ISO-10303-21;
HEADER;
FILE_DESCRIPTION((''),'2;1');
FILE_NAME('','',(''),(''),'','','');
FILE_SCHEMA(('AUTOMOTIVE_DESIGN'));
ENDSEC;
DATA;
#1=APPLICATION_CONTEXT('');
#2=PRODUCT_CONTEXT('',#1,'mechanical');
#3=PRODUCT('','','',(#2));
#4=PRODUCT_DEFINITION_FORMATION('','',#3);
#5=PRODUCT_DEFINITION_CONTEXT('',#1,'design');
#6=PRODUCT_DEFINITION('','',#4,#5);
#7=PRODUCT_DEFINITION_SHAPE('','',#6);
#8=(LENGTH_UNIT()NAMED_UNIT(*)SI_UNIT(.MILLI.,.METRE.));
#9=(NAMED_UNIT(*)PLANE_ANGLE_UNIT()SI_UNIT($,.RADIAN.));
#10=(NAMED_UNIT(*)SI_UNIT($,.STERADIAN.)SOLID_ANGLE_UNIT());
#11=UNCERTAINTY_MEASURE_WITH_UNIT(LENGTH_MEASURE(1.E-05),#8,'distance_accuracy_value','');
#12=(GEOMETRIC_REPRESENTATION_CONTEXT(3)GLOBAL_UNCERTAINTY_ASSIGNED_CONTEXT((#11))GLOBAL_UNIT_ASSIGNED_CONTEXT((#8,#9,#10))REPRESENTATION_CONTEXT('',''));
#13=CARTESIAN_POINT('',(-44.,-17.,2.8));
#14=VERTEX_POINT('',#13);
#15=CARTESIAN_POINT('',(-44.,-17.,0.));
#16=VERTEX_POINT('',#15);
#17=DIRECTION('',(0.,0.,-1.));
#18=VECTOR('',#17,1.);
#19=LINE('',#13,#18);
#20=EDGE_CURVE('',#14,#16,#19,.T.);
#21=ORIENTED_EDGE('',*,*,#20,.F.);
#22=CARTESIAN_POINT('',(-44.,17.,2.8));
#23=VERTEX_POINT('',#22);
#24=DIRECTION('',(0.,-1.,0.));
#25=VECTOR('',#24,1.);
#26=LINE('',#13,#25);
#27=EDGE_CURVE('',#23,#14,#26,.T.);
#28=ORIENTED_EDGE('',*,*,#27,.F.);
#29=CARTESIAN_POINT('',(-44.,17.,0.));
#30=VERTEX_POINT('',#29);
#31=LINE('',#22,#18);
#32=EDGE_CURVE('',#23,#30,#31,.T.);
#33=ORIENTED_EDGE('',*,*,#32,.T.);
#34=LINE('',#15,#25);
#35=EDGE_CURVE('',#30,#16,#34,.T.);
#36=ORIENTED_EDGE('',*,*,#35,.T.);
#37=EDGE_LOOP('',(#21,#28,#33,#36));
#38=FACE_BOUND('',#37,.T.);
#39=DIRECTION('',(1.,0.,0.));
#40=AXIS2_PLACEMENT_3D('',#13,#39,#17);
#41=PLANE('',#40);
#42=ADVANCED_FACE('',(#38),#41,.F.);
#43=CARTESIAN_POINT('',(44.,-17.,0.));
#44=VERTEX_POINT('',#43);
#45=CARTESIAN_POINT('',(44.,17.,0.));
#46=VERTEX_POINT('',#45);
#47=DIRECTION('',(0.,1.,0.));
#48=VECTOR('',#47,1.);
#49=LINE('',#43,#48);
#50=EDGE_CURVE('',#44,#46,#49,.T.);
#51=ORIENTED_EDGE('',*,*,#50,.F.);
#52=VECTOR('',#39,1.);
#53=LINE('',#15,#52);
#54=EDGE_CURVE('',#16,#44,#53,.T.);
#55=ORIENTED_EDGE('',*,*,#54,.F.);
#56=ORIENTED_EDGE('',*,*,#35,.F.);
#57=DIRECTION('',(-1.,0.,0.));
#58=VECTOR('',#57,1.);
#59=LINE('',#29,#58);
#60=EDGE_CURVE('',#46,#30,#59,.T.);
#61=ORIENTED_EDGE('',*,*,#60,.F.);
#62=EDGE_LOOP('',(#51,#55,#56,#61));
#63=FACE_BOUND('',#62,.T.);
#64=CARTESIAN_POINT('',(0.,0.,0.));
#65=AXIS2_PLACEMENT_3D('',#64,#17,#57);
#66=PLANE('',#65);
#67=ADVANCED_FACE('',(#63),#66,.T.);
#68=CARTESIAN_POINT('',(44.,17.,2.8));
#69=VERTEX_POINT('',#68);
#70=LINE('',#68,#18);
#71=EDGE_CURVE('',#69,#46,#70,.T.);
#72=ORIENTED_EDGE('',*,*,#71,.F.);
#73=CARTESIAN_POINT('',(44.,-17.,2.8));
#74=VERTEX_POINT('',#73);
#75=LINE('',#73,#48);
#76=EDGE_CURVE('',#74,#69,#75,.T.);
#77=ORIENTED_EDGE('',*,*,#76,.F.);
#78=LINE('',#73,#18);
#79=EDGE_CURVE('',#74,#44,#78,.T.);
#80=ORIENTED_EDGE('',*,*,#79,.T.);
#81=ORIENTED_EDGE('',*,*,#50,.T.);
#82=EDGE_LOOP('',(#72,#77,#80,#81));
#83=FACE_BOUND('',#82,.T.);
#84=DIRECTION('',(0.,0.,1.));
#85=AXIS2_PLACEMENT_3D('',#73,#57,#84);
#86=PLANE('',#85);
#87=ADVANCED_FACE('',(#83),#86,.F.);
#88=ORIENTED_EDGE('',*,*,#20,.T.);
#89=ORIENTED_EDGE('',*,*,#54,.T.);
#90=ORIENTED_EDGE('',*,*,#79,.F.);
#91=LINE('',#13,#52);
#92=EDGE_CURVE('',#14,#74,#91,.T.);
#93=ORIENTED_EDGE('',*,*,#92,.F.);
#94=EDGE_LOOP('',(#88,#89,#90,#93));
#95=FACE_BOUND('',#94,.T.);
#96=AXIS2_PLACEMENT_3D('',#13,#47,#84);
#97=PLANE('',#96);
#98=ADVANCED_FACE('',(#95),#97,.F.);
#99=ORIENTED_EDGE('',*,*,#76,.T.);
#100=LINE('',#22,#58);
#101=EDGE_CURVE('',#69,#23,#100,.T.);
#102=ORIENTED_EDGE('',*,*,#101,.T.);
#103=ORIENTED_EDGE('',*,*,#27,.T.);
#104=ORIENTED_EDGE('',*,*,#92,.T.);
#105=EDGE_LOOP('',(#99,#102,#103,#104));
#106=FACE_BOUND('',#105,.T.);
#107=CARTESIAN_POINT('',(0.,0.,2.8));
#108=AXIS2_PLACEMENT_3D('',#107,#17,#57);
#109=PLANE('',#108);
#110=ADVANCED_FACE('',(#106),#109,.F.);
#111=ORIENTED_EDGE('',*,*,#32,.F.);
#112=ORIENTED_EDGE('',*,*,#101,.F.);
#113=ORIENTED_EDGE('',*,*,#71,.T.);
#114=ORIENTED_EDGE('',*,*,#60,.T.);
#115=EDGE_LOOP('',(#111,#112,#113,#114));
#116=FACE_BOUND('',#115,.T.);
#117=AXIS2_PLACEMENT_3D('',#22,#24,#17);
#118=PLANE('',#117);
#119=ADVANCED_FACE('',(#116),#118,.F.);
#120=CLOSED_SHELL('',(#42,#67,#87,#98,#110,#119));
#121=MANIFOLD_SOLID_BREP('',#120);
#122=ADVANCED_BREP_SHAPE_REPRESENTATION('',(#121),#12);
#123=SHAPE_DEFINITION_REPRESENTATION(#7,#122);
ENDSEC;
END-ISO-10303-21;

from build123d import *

# Parameters (mm, degrees)
IZIM1_W                     = 88
IZIM1_H                     = 34
Y_KSEKLIK_EKSTR_ZYON1_DEPTH = 2.8


with BuildPart() as part:
    # Çizim1 → Yükseklik-Ekstrüzyon1 (new body)
    with BuildSketch(Plane.XY):
        Rectangle(IZIM1_W, IZIM1_H)
    extrude(amount=Y_KSEKLIK_EKSTR_ZYON1_DEPTH)


solid = part.part
